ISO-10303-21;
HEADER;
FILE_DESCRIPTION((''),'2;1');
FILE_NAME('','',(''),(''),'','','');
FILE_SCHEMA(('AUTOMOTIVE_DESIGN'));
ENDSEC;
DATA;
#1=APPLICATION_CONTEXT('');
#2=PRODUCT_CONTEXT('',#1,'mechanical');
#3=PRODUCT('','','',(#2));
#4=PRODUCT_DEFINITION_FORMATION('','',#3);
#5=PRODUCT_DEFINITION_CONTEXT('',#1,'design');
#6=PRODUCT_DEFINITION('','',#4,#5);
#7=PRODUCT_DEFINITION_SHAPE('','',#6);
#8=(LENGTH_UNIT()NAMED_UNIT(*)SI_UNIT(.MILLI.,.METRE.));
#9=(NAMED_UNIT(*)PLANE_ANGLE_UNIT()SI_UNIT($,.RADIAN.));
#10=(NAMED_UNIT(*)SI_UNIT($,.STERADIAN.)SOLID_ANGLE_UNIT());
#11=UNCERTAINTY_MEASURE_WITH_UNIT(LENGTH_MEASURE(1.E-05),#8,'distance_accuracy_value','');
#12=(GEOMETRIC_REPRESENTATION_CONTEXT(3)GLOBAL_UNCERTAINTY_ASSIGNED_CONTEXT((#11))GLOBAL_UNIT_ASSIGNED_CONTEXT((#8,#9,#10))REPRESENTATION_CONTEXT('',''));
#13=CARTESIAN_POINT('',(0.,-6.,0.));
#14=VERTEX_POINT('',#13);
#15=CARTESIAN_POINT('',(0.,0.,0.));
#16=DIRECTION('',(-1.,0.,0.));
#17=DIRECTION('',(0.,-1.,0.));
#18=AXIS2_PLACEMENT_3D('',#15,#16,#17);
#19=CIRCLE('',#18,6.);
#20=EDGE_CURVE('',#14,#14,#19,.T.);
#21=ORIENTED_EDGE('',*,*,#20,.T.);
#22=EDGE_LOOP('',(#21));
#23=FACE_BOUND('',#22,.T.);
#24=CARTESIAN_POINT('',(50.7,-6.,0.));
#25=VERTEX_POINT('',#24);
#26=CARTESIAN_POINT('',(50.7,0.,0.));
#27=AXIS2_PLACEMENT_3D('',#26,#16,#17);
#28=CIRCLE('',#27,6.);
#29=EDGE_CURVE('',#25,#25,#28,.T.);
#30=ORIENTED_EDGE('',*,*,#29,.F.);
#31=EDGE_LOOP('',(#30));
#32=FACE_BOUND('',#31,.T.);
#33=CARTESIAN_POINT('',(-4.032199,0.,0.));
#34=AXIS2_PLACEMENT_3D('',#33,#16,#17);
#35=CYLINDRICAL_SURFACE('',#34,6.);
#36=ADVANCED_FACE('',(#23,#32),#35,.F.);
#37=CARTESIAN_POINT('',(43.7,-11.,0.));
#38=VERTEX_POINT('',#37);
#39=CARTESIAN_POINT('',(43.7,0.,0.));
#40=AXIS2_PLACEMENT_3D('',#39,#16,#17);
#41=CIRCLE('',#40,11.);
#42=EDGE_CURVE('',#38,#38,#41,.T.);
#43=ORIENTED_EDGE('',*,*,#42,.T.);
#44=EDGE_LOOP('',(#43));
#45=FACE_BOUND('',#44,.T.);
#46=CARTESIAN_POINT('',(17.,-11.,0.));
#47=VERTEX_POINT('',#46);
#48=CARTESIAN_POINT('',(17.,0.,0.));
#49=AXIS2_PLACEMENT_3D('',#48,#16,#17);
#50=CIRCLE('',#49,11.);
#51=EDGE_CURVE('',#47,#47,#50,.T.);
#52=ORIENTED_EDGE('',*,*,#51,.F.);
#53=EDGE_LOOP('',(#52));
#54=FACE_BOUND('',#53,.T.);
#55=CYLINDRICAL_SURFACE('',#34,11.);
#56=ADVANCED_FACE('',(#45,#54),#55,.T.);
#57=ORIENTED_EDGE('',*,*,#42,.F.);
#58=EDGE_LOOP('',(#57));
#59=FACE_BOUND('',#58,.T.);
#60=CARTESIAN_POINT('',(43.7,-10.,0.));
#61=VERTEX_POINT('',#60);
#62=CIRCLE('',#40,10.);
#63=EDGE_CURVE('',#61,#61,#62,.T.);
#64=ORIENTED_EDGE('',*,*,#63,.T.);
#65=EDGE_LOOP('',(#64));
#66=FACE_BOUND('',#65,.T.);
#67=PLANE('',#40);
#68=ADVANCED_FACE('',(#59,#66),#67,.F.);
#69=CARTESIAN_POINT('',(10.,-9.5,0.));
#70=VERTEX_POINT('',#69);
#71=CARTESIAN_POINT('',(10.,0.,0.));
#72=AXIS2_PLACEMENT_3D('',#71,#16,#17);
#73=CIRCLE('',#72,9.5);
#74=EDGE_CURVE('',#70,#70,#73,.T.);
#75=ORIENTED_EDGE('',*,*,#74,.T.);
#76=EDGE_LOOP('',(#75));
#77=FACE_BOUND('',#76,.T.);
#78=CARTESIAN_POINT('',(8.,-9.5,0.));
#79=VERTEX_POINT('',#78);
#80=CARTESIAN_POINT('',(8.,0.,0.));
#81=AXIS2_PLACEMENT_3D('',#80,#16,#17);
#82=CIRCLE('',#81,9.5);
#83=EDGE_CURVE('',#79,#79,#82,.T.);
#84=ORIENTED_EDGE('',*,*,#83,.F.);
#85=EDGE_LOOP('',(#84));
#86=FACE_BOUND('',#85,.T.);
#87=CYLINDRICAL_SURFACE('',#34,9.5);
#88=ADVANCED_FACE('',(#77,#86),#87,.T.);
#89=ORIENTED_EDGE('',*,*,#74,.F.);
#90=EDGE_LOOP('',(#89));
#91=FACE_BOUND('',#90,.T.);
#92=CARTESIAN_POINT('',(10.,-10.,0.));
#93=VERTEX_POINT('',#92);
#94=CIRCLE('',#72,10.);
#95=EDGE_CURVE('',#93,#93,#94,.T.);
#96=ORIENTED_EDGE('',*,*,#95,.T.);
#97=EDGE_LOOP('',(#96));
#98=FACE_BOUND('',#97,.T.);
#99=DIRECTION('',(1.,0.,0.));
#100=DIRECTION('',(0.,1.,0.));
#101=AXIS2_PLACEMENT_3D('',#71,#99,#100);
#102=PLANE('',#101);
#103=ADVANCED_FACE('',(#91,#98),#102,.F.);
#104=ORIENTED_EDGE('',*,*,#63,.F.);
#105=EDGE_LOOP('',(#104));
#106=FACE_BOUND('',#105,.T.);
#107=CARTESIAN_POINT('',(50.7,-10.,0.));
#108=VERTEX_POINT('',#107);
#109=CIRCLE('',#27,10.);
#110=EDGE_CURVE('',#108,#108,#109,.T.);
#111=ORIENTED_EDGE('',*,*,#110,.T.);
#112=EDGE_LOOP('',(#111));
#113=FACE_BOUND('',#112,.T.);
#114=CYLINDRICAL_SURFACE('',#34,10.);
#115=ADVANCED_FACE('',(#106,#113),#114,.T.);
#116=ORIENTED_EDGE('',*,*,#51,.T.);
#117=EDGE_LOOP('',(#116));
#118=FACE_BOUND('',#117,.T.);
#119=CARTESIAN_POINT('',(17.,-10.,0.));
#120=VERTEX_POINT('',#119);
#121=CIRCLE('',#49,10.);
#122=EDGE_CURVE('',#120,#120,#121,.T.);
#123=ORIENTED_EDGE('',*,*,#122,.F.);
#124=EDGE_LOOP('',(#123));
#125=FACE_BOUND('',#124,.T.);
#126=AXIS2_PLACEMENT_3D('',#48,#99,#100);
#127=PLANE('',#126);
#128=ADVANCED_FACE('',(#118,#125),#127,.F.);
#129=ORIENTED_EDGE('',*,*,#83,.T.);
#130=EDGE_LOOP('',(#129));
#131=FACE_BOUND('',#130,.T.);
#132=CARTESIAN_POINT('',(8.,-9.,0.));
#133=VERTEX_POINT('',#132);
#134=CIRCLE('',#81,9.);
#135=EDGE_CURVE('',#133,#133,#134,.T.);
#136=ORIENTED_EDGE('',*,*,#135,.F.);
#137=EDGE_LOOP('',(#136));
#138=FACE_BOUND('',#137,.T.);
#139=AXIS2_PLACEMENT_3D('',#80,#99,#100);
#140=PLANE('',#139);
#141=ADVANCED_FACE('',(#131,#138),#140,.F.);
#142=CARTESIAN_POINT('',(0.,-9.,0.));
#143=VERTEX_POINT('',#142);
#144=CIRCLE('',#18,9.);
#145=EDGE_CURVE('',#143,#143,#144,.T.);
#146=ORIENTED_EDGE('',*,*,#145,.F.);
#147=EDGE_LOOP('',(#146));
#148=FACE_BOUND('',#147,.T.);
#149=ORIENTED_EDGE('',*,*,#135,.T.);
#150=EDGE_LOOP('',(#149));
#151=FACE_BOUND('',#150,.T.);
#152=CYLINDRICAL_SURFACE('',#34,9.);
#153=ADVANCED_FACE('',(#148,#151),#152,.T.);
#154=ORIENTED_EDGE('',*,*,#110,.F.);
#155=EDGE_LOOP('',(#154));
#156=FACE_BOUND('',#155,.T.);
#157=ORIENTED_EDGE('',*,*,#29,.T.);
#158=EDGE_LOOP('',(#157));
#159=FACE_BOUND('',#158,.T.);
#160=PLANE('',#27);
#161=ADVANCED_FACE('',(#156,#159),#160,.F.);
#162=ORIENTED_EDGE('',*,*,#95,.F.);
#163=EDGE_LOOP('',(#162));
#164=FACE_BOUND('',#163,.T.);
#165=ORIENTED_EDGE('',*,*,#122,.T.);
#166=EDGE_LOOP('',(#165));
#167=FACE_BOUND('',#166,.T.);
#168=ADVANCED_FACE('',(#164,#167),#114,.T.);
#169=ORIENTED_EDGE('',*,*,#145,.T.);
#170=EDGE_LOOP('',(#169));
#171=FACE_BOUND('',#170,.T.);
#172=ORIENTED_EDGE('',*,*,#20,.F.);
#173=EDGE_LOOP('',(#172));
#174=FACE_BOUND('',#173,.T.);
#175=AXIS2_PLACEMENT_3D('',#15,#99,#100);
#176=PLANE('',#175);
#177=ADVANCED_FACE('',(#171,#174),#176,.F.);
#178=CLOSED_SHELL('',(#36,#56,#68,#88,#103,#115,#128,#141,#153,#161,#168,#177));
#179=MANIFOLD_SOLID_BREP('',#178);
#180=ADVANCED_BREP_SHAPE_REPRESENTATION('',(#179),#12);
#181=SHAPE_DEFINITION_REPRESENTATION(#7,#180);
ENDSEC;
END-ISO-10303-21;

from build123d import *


with BuildPart() as part:
    # Sketch1 → Revolve1 (revolve)
    with BuildSketch(Plane.XY):
        Polygon((8, 9), (0, 9), (0, 6), (50.7, 6), (50.7, 9.5), (50.7, 10), (43.7, 10), (43.7, 11), (17, 11), (17, 10), (10, 10), (10, 9.5), (8, 9.5), align=None)
    revolve(axis=Axis((-4.032198736, 0, 0), (1, 0, 0)))


solid = part.part
